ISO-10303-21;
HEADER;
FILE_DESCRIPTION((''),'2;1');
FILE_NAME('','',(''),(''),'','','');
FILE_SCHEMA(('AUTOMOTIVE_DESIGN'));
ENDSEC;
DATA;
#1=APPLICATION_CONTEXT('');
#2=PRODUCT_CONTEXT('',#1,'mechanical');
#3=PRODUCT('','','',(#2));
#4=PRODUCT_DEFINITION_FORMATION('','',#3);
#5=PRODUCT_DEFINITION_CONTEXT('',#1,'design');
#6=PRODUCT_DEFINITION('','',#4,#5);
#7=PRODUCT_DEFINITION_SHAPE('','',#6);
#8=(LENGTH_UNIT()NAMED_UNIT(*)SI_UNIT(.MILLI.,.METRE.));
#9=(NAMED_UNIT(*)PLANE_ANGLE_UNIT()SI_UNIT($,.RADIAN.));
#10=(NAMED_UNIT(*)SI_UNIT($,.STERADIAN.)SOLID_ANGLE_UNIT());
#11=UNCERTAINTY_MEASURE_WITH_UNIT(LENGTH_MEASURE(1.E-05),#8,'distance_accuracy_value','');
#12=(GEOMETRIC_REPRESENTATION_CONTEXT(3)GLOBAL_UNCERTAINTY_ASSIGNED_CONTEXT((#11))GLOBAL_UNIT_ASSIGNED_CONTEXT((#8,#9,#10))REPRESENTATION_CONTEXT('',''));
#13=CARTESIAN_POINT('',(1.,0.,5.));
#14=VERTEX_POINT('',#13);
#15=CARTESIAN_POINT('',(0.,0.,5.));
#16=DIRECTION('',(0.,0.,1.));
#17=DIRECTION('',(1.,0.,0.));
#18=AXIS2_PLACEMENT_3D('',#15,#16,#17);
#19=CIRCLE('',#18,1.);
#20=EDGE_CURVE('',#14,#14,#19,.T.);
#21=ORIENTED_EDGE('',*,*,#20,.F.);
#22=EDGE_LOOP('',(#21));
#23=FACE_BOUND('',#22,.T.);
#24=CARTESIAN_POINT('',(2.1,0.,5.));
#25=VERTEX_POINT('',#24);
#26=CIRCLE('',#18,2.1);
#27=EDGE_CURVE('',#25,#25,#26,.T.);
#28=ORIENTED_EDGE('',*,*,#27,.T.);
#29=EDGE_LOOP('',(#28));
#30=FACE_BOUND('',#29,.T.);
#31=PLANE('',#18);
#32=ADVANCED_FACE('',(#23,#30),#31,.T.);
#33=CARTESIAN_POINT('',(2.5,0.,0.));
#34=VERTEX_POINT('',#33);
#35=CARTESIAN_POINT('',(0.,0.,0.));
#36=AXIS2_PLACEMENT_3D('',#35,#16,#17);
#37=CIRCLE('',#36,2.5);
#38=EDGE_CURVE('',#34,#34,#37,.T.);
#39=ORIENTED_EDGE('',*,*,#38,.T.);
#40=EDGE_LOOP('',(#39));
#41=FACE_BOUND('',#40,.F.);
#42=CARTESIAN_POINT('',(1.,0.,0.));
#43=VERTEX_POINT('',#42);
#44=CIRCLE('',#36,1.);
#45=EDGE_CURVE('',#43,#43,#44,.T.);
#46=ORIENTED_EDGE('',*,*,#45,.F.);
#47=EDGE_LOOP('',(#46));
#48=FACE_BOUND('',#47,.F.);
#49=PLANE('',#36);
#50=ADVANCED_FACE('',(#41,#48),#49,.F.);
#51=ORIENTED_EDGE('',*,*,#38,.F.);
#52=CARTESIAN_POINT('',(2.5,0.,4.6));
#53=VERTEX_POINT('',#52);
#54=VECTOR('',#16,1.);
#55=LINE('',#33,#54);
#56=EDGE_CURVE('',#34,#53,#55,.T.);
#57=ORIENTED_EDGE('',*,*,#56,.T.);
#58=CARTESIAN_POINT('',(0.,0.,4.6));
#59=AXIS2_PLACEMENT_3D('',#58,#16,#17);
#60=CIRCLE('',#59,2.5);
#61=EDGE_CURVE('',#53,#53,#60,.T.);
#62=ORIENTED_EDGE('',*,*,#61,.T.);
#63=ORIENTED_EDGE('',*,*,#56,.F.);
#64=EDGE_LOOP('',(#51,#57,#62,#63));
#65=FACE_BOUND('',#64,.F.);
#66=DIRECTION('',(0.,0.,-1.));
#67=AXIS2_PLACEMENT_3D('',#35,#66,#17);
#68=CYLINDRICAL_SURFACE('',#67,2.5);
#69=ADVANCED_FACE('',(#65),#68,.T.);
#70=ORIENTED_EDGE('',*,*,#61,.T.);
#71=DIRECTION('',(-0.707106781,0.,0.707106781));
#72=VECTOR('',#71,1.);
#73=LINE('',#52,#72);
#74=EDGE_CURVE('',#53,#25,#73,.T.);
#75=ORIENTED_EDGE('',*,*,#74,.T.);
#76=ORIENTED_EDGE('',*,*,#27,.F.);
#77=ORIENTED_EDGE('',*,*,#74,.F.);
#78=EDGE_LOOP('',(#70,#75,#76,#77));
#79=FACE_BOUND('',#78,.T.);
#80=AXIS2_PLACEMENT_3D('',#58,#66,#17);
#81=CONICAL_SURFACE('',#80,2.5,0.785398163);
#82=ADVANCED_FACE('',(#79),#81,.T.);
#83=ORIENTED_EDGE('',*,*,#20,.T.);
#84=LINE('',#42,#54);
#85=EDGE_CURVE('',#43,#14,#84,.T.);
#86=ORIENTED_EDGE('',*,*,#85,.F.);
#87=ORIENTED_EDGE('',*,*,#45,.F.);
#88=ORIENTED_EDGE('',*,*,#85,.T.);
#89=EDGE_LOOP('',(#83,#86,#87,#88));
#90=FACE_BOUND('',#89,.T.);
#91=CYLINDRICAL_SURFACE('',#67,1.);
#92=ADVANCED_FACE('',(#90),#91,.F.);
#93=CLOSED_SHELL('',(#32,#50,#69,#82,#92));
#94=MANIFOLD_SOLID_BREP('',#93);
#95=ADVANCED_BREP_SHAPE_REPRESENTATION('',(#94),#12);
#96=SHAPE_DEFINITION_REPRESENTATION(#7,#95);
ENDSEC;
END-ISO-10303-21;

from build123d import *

# Parameters (mm, degrees)
SKETCH_R     = 2.5
SKETCH_R_2   = 1
PAD_DEPTH    = 5
CHAMFER_SIZE = 0.4


with BuildPart() as part:
    # Sketch → Pad (new body)
    with BuildSketch(Plane.XY):
        Circle(SKETCH_R)
        Circle(SKETCH_R_2, mode=Mode.SUBTRACT)
    extrude(amount=PAD_DEPTH)

    # Chamfer
    chamfer_edges = [part.edges().sort_by_distance(p)[0] for p in [
        (-2.5, 0, 5),
    ]]
    chamfer(chamfer_edges, length=CHAMFER_SIZE)


solid = part.part
